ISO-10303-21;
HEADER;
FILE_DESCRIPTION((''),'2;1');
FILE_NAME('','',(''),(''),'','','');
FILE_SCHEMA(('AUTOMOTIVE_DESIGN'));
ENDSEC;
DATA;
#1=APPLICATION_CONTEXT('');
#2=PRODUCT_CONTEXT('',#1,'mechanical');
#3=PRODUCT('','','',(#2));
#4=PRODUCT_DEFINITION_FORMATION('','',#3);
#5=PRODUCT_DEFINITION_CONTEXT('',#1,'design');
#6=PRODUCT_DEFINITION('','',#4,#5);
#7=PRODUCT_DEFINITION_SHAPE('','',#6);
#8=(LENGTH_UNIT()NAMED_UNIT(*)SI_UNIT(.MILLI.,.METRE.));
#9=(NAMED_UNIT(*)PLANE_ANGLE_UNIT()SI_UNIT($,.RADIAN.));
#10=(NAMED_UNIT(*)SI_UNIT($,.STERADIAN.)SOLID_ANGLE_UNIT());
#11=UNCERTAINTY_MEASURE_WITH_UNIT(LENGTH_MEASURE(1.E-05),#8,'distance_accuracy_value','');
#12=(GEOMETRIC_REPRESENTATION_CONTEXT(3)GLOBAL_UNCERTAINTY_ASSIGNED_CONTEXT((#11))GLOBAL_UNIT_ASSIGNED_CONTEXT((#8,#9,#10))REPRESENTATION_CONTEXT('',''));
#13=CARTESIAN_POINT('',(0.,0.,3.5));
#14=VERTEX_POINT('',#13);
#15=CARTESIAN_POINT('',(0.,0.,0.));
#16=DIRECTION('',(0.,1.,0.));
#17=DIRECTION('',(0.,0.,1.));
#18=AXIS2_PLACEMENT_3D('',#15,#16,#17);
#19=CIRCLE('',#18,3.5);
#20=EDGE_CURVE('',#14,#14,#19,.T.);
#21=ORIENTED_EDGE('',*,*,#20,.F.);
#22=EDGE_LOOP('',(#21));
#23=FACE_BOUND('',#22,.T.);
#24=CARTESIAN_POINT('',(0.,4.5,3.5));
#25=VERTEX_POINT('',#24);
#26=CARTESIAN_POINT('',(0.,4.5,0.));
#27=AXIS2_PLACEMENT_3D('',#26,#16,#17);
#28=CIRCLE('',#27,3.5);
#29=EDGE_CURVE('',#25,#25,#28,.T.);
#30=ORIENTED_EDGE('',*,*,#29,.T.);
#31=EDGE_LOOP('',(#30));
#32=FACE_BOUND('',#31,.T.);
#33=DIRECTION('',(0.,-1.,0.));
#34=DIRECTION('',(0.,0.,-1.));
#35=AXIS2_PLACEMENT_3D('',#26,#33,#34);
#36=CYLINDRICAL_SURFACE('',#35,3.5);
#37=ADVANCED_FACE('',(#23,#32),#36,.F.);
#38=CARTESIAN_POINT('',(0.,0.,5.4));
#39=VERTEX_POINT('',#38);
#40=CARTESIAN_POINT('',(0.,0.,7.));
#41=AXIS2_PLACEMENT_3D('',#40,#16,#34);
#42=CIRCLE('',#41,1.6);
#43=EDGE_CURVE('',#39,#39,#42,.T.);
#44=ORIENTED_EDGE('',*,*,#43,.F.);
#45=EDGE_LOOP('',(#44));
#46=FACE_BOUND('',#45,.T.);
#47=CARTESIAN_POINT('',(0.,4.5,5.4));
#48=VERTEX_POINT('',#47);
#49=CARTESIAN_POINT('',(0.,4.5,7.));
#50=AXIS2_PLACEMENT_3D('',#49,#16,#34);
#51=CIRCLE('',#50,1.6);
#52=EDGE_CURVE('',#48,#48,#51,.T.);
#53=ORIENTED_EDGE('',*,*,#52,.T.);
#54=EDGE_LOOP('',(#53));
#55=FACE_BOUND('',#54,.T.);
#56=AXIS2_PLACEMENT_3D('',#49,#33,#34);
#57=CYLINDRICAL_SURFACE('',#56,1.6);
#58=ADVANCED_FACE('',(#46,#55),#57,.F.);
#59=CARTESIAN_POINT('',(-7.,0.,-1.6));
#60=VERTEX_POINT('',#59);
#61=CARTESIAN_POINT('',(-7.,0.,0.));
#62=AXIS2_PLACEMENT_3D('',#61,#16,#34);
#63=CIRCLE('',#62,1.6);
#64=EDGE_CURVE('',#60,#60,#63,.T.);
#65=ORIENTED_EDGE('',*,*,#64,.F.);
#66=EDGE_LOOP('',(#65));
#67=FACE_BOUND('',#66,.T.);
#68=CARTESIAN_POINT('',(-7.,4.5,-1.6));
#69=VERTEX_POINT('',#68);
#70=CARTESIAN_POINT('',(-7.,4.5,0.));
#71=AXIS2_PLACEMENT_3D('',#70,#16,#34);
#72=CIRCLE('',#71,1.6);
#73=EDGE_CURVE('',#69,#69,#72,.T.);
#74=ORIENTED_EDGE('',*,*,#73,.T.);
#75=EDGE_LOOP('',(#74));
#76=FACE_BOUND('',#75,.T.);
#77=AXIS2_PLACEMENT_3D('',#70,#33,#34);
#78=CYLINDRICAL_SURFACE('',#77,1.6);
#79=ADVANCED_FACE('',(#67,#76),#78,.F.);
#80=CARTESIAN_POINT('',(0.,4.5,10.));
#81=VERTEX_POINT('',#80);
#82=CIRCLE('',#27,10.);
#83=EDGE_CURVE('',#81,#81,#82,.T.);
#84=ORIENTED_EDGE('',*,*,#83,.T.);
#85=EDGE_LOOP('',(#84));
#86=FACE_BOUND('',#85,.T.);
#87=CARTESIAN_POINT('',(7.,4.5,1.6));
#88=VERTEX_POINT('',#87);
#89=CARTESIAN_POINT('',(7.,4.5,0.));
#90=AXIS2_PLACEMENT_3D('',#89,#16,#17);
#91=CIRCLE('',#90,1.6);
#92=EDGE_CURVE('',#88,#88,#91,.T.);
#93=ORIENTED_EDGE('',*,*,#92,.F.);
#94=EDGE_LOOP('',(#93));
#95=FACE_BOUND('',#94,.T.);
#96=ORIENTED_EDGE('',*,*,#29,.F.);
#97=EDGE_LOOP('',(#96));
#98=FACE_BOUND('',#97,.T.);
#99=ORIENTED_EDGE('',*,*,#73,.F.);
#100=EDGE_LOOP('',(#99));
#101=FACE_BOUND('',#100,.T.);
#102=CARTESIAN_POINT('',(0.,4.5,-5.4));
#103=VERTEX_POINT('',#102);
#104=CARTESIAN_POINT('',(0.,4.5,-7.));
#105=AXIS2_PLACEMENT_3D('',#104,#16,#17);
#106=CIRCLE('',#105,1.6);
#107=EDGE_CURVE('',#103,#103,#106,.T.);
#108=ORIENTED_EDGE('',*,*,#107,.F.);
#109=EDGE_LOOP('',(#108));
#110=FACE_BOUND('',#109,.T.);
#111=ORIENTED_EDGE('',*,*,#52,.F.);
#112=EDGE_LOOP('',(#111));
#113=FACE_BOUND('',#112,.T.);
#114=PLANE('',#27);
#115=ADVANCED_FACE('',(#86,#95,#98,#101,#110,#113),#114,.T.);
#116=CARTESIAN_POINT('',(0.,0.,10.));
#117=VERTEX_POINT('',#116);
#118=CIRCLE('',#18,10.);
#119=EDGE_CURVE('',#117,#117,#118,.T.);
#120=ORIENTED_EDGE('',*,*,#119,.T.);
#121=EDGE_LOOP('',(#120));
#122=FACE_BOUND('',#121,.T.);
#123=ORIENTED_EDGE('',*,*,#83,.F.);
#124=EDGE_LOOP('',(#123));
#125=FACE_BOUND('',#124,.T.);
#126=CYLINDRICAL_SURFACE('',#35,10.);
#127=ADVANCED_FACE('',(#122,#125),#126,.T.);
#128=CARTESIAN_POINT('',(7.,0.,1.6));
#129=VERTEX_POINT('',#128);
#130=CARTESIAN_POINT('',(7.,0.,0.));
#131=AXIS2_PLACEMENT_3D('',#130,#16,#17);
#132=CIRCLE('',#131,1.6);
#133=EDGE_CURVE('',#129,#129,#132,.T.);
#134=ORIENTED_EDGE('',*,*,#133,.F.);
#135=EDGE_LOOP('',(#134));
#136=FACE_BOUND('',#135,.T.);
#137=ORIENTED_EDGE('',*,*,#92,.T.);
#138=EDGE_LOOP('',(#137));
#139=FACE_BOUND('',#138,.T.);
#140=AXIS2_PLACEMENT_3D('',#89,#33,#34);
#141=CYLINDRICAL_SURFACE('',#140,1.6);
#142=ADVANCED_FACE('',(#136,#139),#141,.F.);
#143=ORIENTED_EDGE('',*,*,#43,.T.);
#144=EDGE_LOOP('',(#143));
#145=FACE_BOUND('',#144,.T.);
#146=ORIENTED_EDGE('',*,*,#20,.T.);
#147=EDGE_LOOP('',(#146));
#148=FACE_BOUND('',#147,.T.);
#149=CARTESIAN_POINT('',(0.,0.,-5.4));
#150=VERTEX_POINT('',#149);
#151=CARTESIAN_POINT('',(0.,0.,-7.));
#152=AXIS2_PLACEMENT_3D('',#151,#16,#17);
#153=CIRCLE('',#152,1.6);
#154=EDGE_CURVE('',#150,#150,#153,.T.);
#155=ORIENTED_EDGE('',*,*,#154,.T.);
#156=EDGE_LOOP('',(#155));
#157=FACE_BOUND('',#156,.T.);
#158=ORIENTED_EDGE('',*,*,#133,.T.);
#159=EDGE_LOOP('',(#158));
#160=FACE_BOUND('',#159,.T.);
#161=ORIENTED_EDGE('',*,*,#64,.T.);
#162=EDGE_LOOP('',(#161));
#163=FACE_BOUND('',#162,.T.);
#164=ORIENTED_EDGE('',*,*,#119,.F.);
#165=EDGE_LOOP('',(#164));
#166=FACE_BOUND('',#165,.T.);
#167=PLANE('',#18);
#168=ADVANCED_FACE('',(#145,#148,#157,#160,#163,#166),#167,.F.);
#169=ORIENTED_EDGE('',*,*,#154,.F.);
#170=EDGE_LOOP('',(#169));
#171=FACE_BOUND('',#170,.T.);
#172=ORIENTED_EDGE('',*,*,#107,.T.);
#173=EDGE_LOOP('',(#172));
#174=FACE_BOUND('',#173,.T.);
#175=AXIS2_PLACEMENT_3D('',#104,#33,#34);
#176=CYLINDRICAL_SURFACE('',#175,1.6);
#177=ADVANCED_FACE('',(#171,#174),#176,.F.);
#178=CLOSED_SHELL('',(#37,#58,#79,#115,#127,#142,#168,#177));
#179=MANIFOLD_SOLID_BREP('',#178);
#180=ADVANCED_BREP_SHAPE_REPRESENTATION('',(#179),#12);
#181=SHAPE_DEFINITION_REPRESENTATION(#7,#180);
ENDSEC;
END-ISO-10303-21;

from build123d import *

# Parameters (mm, degrees)
SKETCH_1_R      = 10
SKETCH_1_R_2    = 1.6
SKETCH_1_R_3    = 3.5
EXTRUDE_1_DEPTH = 4.5


with BuildPart() as part:
    # 草图1 → 凸台-拉伸1 (new body)
    with BuildSketch(Plane(origin=(0, 0, 0), x_dir=(1, 0, 0), z_dir=(0, 1, 0))):
        with Locations(Location((0, 0, 0), (0, 0, 270))):
            Circle(SKETCH_1_R)
        with Locations(Location((0, 7, 0), (0, 0, 270))):
            Circle(SKETCH_1_R_2, mode=Mode.SUBTRACT)
        with Locations(Location((7, 0, 0), (0, 0, 270))):
            Circle(SKETCH_1_R_2, mode=Mode.SUBTRACT)
        with Locations(Location((0, 0, 0), (0, 0, 270))):
            Circle(SKETCH_1_R_3, mode=Mode.SUBTRACT)
        with Locations(Location((0, -7, 0), (0, 0, 90))):
            Circle(SKETCH_1_R_2, mode=Mode.SUBTRACT)
        with Locations(Location((-7, 0, 0), (0, 0, 90))):
            Circle(SKETCH_1_R_2, mode=Mode.SUBTRACT)
    extrude(amount=EXTRUDE_1_DEPTH)


solid = part.part
